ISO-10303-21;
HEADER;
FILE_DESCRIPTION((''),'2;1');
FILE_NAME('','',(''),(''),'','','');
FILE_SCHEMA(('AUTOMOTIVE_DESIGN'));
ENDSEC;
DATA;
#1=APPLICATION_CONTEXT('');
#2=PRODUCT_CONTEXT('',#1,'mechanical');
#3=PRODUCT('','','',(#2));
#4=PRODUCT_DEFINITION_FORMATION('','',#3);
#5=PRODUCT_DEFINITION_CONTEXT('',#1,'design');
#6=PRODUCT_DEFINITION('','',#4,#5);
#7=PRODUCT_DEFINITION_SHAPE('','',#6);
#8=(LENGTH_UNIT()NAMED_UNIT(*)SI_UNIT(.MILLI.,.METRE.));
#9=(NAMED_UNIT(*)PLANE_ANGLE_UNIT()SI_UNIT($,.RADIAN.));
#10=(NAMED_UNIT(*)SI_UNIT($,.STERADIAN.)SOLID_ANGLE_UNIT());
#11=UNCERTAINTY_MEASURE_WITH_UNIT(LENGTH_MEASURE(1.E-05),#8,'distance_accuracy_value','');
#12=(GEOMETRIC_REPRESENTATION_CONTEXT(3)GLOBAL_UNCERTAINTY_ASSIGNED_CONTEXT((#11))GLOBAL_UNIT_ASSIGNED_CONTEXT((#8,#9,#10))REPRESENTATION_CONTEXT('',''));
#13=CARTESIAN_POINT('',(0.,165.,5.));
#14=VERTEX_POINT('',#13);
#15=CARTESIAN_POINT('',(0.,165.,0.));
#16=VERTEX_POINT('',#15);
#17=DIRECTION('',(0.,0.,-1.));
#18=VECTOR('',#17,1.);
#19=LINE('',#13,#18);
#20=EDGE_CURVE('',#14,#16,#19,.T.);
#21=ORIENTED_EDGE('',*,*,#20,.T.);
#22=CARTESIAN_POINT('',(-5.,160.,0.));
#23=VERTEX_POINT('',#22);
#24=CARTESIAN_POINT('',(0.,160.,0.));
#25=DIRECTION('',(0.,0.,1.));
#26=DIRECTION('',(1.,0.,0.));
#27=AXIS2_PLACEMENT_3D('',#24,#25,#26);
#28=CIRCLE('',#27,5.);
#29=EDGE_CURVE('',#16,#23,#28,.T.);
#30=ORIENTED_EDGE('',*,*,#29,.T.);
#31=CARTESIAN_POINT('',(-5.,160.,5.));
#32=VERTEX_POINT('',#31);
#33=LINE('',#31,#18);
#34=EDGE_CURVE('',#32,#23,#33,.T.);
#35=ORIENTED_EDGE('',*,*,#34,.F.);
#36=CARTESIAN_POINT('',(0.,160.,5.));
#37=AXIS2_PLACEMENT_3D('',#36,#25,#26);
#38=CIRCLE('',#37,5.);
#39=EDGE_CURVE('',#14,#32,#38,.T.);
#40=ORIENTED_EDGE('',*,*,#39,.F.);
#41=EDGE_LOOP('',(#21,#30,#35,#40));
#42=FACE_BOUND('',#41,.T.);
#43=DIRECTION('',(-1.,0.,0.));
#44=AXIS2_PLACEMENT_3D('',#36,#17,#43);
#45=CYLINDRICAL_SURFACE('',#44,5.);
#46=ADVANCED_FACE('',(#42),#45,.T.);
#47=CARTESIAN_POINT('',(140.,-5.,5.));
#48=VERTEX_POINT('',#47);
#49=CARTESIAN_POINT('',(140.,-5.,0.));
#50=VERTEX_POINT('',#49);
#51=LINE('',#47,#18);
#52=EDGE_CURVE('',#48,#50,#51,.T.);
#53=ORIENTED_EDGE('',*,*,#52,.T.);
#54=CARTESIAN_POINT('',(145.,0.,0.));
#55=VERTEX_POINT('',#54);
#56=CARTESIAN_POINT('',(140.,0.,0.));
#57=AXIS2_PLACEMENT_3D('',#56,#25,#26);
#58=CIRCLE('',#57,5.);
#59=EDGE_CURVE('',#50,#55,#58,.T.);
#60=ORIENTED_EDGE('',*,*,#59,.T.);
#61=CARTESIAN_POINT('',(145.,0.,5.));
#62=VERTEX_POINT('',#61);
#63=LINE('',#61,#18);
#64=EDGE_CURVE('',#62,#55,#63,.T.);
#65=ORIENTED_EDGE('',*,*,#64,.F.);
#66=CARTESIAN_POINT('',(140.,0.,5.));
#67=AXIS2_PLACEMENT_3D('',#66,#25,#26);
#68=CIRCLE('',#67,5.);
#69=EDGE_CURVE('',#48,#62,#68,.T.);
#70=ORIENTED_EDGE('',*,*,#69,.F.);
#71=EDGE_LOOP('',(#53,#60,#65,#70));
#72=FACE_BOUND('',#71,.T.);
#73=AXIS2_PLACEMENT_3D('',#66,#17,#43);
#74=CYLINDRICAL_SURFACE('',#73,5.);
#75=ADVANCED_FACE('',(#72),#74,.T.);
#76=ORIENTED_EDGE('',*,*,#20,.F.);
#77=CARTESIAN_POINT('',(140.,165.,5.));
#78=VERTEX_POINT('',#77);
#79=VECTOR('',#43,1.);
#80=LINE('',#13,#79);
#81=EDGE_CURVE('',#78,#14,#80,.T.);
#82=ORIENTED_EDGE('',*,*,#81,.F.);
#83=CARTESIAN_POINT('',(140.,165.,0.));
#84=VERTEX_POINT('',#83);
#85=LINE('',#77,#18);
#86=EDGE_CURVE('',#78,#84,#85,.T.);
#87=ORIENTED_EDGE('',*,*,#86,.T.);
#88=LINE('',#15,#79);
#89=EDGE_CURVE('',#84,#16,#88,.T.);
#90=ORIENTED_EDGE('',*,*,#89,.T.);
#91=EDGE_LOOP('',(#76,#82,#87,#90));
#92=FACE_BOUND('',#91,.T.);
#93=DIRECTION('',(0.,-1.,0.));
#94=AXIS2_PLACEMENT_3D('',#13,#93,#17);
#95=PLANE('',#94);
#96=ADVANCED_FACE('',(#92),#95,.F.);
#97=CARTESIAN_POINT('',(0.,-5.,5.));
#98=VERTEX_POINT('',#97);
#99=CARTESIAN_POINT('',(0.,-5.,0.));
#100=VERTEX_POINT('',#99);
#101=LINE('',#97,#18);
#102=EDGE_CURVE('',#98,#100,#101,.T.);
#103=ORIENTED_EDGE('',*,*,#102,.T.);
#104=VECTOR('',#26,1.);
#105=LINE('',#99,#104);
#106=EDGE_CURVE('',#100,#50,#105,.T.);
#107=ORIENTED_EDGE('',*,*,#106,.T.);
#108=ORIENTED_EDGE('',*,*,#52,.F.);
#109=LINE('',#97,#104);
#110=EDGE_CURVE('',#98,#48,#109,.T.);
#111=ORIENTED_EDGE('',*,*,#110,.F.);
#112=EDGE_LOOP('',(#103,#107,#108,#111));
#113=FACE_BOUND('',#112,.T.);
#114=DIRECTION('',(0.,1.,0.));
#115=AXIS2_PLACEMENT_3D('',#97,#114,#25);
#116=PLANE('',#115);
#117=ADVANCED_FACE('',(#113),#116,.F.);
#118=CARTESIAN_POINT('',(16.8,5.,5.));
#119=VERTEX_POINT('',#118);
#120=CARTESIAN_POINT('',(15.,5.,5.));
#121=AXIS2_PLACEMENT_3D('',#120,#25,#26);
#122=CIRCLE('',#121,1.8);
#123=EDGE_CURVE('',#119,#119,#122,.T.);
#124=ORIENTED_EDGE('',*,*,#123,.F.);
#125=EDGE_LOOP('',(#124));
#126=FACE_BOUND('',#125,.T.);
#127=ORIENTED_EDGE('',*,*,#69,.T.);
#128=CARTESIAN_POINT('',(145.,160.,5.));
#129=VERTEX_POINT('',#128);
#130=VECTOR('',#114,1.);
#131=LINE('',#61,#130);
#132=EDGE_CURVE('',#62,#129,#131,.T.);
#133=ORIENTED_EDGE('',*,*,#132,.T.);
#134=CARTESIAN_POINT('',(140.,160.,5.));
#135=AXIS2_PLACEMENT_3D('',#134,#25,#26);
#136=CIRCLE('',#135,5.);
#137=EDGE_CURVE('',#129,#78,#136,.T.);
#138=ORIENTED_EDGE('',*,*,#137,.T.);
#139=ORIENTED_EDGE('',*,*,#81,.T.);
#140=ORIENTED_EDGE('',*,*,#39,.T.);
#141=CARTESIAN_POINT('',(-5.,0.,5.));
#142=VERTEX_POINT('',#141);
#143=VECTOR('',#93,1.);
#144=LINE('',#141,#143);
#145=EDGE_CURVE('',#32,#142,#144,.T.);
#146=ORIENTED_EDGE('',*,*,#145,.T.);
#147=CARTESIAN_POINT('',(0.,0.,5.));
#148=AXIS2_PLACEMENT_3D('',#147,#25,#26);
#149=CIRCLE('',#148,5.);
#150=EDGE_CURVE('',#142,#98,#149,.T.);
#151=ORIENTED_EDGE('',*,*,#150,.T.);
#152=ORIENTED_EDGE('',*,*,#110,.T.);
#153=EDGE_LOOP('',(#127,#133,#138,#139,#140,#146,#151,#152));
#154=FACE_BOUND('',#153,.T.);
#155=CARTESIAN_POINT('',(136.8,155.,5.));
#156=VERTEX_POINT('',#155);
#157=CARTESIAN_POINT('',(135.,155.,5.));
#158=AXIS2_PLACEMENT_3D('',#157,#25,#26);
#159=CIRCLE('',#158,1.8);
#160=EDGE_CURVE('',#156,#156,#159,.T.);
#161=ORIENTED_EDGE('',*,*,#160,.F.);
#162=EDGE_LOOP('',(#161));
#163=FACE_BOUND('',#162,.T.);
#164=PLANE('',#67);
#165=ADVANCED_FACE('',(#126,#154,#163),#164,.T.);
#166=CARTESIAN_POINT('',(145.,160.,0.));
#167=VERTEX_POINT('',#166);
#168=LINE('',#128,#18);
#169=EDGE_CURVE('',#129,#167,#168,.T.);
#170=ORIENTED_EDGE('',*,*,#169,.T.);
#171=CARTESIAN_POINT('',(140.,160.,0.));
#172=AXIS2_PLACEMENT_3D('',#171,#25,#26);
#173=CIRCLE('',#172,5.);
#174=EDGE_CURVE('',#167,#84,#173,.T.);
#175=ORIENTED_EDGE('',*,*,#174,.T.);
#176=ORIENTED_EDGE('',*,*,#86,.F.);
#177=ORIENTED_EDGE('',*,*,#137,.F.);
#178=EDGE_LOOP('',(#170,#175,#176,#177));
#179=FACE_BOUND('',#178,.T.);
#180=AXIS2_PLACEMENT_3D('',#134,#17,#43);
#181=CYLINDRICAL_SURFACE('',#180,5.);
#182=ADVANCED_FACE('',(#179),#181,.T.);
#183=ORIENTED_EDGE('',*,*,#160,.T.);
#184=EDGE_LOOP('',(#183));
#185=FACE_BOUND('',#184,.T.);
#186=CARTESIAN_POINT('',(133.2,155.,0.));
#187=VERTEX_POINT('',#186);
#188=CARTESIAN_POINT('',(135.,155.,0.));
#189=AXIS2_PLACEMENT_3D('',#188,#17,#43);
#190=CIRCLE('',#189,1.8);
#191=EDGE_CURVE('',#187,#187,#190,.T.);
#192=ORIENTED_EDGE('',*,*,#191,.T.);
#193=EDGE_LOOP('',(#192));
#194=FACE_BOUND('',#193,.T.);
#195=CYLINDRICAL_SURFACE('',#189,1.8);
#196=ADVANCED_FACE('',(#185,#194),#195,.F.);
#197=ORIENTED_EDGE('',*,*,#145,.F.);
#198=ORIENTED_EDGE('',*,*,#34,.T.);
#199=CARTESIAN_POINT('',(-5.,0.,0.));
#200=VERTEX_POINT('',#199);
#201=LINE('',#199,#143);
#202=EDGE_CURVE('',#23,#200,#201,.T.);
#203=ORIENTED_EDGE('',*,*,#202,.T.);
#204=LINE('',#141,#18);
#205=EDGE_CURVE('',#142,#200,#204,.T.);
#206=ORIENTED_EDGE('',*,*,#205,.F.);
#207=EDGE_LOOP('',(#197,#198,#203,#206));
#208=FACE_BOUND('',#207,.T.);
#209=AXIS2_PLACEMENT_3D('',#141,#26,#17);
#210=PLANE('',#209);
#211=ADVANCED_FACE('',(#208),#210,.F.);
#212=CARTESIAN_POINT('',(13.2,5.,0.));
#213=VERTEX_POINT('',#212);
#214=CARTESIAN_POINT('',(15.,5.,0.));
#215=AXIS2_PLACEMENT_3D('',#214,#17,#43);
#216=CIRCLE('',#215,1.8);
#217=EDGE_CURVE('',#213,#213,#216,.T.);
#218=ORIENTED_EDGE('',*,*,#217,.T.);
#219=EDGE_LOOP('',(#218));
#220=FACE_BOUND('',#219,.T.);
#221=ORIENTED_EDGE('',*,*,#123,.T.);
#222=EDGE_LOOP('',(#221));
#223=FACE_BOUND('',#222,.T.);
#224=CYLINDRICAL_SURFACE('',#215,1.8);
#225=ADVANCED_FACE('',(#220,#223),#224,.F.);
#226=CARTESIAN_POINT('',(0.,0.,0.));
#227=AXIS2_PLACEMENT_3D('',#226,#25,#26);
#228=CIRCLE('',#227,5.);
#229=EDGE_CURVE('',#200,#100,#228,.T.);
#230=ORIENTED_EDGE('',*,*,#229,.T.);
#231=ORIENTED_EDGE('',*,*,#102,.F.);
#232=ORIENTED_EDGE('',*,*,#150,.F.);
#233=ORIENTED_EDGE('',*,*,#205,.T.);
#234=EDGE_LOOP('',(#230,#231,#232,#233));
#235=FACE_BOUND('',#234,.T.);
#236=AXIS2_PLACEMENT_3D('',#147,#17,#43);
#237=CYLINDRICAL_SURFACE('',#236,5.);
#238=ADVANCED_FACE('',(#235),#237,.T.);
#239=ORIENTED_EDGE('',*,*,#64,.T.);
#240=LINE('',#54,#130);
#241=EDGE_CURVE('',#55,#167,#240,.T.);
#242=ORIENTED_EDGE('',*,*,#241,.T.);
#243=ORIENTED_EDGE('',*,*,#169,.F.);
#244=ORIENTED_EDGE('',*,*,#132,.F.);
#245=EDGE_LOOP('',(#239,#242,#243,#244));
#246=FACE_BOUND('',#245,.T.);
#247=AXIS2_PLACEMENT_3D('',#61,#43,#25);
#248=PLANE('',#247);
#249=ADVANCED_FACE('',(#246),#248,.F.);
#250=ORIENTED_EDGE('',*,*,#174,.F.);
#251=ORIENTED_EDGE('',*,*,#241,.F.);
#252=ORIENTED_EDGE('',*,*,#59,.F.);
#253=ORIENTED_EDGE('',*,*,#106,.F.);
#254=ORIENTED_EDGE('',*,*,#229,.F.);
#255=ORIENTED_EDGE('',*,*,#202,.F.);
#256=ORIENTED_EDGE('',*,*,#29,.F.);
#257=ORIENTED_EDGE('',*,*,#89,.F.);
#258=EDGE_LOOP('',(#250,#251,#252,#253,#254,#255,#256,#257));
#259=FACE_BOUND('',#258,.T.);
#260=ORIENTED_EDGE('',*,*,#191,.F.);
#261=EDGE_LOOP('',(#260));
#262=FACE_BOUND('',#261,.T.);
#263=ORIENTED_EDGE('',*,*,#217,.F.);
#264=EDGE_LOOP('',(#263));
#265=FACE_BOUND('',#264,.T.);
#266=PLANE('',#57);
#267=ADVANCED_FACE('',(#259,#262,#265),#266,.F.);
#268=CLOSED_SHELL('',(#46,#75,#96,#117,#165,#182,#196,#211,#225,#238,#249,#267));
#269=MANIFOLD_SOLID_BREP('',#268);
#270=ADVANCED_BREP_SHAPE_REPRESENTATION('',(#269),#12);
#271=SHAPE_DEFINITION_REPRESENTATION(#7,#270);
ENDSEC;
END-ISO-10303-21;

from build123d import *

# Parameters (mm, degrees)
RESSALTO_EXTRUS_O1_DEPTH    = 5
FURO_COM_FOLGA_DE_M31_D     = 3.6
FURO_COM_FOLGA_DE_M31_DEPTH = 15
FURO_COM_FOLGA_DE_M31_TIP   = 1.081549114


with BuildPart() as part:
    # Esboço1 → Ressalto-extrusão1 (new body)
    with BuildSketch(Plane.XY):
        with BuildLine():
            Line((0, -5), (140, -5))
            ThreePointArc((140, -5), (143.535533906, -3.535533906), (145, 0))
            Line((145, 0), (145, 160))
            ThreePointArc((145, 160), (143.535533906, 163.535533906), (140, 165))
            Line((140, 165), (0, 165))
            ThreePointArc((0, 165), (-3.535533906, 163.535533906), (-5, 160))
            Line((-5, 160), (-5, 0))
            ThreePointArc((-5, 0), (-3.535533906, -3.535533906), (0, -5))
        make_face()
    extrude(amount=RESSALTO_EXTRUS_O1_DEPTH)

    # Furo com folga de M31
    with Locations(Plane(origin=(135, 155, 0), x_dir=(-1, 0, 0), z_dir=(0, 0, -1))):
        with Locations((0, 0), (120, -150)):
            Hole(FURO_COM_FOLGA_DE_M31_D / 2, depth=FURO_COM_FOLGA_DE_M31_DEPTH)
            with Locations((0, 0, -(FURO_COM_FOLGA_DE_M31_DEPTH + FURO_COM_FOLGA_DE_M31_TIP / 2))):  # 118° drill point
                Cone(0, FURO_COM_FOLGA_DE_M31_D / 2, FURO_COM_FOLGA_DE_M31_TIP, mode=Mode.SUBTRACT)


solid = part.part
